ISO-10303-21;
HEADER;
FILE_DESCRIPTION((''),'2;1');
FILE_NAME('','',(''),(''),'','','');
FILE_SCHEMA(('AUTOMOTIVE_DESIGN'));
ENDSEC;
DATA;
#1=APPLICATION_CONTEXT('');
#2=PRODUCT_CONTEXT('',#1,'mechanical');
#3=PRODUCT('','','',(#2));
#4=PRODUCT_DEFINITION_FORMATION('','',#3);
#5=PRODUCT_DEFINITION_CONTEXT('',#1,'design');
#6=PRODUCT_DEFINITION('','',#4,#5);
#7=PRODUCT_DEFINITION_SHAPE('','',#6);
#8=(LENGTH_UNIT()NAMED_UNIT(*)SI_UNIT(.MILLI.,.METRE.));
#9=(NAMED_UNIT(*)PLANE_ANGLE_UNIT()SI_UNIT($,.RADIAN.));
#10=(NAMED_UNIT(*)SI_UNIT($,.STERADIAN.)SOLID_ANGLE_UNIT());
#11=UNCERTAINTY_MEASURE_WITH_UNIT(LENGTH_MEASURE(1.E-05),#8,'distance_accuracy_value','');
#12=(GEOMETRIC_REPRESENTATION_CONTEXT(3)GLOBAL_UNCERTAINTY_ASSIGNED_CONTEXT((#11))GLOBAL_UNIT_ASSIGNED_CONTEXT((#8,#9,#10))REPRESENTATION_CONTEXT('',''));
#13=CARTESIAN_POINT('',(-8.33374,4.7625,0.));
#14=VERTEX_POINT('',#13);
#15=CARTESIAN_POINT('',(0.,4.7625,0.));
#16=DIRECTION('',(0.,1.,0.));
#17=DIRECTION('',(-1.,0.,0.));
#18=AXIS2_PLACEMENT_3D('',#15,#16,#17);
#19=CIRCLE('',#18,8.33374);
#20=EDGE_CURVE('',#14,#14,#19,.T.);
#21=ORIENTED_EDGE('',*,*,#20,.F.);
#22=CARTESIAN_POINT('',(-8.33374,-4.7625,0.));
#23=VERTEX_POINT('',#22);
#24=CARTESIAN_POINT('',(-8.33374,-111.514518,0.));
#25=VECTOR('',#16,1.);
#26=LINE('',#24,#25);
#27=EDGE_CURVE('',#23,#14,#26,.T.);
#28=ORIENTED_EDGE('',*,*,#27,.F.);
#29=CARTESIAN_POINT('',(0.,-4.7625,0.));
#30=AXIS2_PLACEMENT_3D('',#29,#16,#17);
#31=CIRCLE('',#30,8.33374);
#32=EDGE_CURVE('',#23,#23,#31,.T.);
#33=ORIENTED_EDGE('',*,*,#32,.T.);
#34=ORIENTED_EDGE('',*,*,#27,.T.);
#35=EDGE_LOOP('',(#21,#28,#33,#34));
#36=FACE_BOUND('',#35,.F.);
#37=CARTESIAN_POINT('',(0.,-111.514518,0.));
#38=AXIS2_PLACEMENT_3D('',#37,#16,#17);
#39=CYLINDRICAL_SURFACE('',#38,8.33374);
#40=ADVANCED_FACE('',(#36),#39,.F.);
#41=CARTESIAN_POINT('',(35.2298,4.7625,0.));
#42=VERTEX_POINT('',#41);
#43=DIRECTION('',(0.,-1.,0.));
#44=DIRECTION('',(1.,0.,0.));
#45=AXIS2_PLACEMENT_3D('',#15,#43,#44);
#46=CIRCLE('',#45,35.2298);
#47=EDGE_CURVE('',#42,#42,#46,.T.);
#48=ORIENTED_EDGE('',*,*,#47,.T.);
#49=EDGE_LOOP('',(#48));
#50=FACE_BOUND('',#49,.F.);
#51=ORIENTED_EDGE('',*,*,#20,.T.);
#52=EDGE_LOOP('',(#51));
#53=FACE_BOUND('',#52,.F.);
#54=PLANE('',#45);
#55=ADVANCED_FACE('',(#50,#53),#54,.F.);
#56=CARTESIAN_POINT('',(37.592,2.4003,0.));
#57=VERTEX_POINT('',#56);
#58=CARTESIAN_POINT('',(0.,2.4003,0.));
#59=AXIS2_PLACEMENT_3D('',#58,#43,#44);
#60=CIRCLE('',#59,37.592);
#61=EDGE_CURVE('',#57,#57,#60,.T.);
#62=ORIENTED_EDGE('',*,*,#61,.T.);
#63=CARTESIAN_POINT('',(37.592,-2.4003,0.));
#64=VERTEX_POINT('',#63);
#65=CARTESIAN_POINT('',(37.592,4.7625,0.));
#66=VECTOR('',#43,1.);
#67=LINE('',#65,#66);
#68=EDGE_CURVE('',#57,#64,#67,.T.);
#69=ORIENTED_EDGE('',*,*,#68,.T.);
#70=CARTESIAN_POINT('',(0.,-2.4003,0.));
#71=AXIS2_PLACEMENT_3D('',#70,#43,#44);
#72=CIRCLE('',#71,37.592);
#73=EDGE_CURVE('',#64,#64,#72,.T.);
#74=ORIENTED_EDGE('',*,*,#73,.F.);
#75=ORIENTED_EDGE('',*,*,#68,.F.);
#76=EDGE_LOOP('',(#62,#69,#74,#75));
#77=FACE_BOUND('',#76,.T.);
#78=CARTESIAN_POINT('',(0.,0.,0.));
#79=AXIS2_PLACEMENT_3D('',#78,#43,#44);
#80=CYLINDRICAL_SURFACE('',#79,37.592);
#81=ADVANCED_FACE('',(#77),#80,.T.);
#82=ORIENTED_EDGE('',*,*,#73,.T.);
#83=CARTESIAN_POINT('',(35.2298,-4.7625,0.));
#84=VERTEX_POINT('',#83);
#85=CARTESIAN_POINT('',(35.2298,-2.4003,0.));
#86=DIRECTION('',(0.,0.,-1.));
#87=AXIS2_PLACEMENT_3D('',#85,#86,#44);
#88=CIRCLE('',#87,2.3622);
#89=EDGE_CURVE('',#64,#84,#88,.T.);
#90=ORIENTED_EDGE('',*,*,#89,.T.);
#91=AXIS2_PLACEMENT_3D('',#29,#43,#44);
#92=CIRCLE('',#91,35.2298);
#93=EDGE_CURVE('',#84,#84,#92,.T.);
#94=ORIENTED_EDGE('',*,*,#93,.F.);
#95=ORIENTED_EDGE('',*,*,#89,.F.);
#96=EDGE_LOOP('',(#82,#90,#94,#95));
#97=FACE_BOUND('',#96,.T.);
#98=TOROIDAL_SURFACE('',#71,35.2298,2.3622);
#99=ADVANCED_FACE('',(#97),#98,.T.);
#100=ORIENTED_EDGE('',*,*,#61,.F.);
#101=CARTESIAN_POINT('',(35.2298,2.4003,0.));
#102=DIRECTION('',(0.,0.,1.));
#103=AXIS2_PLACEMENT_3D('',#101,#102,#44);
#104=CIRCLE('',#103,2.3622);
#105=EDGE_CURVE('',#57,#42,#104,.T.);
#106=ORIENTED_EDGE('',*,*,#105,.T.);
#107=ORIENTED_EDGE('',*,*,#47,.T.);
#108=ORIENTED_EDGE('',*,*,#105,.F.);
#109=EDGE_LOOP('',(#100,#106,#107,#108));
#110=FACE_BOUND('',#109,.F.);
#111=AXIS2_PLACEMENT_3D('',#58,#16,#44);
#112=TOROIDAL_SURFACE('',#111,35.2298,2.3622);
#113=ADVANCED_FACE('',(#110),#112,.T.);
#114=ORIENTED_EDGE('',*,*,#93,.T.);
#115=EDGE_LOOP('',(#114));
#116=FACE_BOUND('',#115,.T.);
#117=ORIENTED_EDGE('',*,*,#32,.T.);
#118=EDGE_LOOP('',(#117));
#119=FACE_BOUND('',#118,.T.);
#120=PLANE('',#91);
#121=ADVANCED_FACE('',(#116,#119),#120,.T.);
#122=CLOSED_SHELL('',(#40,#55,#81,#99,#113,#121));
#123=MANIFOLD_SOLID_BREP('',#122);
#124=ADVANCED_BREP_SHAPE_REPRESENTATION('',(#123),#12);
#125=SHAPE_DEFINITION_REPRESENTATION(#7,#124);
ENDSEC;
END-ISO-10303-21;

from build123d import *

# Parameters (mm, degrees)
F0_R     = 37.592
F1_DEPTH = 4.7625
F3_D     = 16.66748
F4_R     = 2.3622


with BuildPart() as f1:
    # F0 (on Front) → F1 (new body, symmetric)
    with BuildSketch(Plane.XZ):
        Circle(F0_R)
    extrude(amount=F1_DEPTH, both=True)

    # F3 (through all)
    with Locations(Plane.XZ.offset(4.7625)):
        with Locations((0, 0)):
            Hole(F3_D / 2)

    # F4
    f4_edges = [f1.edges().sort_by_distance(p)[0] for p in [
        (-37.592, -4.7625, 0),
        (-37.592, 4.7625, 0),
    ]]
    fillet(f4_edges, radius=F4_R)


solid = f1.part
